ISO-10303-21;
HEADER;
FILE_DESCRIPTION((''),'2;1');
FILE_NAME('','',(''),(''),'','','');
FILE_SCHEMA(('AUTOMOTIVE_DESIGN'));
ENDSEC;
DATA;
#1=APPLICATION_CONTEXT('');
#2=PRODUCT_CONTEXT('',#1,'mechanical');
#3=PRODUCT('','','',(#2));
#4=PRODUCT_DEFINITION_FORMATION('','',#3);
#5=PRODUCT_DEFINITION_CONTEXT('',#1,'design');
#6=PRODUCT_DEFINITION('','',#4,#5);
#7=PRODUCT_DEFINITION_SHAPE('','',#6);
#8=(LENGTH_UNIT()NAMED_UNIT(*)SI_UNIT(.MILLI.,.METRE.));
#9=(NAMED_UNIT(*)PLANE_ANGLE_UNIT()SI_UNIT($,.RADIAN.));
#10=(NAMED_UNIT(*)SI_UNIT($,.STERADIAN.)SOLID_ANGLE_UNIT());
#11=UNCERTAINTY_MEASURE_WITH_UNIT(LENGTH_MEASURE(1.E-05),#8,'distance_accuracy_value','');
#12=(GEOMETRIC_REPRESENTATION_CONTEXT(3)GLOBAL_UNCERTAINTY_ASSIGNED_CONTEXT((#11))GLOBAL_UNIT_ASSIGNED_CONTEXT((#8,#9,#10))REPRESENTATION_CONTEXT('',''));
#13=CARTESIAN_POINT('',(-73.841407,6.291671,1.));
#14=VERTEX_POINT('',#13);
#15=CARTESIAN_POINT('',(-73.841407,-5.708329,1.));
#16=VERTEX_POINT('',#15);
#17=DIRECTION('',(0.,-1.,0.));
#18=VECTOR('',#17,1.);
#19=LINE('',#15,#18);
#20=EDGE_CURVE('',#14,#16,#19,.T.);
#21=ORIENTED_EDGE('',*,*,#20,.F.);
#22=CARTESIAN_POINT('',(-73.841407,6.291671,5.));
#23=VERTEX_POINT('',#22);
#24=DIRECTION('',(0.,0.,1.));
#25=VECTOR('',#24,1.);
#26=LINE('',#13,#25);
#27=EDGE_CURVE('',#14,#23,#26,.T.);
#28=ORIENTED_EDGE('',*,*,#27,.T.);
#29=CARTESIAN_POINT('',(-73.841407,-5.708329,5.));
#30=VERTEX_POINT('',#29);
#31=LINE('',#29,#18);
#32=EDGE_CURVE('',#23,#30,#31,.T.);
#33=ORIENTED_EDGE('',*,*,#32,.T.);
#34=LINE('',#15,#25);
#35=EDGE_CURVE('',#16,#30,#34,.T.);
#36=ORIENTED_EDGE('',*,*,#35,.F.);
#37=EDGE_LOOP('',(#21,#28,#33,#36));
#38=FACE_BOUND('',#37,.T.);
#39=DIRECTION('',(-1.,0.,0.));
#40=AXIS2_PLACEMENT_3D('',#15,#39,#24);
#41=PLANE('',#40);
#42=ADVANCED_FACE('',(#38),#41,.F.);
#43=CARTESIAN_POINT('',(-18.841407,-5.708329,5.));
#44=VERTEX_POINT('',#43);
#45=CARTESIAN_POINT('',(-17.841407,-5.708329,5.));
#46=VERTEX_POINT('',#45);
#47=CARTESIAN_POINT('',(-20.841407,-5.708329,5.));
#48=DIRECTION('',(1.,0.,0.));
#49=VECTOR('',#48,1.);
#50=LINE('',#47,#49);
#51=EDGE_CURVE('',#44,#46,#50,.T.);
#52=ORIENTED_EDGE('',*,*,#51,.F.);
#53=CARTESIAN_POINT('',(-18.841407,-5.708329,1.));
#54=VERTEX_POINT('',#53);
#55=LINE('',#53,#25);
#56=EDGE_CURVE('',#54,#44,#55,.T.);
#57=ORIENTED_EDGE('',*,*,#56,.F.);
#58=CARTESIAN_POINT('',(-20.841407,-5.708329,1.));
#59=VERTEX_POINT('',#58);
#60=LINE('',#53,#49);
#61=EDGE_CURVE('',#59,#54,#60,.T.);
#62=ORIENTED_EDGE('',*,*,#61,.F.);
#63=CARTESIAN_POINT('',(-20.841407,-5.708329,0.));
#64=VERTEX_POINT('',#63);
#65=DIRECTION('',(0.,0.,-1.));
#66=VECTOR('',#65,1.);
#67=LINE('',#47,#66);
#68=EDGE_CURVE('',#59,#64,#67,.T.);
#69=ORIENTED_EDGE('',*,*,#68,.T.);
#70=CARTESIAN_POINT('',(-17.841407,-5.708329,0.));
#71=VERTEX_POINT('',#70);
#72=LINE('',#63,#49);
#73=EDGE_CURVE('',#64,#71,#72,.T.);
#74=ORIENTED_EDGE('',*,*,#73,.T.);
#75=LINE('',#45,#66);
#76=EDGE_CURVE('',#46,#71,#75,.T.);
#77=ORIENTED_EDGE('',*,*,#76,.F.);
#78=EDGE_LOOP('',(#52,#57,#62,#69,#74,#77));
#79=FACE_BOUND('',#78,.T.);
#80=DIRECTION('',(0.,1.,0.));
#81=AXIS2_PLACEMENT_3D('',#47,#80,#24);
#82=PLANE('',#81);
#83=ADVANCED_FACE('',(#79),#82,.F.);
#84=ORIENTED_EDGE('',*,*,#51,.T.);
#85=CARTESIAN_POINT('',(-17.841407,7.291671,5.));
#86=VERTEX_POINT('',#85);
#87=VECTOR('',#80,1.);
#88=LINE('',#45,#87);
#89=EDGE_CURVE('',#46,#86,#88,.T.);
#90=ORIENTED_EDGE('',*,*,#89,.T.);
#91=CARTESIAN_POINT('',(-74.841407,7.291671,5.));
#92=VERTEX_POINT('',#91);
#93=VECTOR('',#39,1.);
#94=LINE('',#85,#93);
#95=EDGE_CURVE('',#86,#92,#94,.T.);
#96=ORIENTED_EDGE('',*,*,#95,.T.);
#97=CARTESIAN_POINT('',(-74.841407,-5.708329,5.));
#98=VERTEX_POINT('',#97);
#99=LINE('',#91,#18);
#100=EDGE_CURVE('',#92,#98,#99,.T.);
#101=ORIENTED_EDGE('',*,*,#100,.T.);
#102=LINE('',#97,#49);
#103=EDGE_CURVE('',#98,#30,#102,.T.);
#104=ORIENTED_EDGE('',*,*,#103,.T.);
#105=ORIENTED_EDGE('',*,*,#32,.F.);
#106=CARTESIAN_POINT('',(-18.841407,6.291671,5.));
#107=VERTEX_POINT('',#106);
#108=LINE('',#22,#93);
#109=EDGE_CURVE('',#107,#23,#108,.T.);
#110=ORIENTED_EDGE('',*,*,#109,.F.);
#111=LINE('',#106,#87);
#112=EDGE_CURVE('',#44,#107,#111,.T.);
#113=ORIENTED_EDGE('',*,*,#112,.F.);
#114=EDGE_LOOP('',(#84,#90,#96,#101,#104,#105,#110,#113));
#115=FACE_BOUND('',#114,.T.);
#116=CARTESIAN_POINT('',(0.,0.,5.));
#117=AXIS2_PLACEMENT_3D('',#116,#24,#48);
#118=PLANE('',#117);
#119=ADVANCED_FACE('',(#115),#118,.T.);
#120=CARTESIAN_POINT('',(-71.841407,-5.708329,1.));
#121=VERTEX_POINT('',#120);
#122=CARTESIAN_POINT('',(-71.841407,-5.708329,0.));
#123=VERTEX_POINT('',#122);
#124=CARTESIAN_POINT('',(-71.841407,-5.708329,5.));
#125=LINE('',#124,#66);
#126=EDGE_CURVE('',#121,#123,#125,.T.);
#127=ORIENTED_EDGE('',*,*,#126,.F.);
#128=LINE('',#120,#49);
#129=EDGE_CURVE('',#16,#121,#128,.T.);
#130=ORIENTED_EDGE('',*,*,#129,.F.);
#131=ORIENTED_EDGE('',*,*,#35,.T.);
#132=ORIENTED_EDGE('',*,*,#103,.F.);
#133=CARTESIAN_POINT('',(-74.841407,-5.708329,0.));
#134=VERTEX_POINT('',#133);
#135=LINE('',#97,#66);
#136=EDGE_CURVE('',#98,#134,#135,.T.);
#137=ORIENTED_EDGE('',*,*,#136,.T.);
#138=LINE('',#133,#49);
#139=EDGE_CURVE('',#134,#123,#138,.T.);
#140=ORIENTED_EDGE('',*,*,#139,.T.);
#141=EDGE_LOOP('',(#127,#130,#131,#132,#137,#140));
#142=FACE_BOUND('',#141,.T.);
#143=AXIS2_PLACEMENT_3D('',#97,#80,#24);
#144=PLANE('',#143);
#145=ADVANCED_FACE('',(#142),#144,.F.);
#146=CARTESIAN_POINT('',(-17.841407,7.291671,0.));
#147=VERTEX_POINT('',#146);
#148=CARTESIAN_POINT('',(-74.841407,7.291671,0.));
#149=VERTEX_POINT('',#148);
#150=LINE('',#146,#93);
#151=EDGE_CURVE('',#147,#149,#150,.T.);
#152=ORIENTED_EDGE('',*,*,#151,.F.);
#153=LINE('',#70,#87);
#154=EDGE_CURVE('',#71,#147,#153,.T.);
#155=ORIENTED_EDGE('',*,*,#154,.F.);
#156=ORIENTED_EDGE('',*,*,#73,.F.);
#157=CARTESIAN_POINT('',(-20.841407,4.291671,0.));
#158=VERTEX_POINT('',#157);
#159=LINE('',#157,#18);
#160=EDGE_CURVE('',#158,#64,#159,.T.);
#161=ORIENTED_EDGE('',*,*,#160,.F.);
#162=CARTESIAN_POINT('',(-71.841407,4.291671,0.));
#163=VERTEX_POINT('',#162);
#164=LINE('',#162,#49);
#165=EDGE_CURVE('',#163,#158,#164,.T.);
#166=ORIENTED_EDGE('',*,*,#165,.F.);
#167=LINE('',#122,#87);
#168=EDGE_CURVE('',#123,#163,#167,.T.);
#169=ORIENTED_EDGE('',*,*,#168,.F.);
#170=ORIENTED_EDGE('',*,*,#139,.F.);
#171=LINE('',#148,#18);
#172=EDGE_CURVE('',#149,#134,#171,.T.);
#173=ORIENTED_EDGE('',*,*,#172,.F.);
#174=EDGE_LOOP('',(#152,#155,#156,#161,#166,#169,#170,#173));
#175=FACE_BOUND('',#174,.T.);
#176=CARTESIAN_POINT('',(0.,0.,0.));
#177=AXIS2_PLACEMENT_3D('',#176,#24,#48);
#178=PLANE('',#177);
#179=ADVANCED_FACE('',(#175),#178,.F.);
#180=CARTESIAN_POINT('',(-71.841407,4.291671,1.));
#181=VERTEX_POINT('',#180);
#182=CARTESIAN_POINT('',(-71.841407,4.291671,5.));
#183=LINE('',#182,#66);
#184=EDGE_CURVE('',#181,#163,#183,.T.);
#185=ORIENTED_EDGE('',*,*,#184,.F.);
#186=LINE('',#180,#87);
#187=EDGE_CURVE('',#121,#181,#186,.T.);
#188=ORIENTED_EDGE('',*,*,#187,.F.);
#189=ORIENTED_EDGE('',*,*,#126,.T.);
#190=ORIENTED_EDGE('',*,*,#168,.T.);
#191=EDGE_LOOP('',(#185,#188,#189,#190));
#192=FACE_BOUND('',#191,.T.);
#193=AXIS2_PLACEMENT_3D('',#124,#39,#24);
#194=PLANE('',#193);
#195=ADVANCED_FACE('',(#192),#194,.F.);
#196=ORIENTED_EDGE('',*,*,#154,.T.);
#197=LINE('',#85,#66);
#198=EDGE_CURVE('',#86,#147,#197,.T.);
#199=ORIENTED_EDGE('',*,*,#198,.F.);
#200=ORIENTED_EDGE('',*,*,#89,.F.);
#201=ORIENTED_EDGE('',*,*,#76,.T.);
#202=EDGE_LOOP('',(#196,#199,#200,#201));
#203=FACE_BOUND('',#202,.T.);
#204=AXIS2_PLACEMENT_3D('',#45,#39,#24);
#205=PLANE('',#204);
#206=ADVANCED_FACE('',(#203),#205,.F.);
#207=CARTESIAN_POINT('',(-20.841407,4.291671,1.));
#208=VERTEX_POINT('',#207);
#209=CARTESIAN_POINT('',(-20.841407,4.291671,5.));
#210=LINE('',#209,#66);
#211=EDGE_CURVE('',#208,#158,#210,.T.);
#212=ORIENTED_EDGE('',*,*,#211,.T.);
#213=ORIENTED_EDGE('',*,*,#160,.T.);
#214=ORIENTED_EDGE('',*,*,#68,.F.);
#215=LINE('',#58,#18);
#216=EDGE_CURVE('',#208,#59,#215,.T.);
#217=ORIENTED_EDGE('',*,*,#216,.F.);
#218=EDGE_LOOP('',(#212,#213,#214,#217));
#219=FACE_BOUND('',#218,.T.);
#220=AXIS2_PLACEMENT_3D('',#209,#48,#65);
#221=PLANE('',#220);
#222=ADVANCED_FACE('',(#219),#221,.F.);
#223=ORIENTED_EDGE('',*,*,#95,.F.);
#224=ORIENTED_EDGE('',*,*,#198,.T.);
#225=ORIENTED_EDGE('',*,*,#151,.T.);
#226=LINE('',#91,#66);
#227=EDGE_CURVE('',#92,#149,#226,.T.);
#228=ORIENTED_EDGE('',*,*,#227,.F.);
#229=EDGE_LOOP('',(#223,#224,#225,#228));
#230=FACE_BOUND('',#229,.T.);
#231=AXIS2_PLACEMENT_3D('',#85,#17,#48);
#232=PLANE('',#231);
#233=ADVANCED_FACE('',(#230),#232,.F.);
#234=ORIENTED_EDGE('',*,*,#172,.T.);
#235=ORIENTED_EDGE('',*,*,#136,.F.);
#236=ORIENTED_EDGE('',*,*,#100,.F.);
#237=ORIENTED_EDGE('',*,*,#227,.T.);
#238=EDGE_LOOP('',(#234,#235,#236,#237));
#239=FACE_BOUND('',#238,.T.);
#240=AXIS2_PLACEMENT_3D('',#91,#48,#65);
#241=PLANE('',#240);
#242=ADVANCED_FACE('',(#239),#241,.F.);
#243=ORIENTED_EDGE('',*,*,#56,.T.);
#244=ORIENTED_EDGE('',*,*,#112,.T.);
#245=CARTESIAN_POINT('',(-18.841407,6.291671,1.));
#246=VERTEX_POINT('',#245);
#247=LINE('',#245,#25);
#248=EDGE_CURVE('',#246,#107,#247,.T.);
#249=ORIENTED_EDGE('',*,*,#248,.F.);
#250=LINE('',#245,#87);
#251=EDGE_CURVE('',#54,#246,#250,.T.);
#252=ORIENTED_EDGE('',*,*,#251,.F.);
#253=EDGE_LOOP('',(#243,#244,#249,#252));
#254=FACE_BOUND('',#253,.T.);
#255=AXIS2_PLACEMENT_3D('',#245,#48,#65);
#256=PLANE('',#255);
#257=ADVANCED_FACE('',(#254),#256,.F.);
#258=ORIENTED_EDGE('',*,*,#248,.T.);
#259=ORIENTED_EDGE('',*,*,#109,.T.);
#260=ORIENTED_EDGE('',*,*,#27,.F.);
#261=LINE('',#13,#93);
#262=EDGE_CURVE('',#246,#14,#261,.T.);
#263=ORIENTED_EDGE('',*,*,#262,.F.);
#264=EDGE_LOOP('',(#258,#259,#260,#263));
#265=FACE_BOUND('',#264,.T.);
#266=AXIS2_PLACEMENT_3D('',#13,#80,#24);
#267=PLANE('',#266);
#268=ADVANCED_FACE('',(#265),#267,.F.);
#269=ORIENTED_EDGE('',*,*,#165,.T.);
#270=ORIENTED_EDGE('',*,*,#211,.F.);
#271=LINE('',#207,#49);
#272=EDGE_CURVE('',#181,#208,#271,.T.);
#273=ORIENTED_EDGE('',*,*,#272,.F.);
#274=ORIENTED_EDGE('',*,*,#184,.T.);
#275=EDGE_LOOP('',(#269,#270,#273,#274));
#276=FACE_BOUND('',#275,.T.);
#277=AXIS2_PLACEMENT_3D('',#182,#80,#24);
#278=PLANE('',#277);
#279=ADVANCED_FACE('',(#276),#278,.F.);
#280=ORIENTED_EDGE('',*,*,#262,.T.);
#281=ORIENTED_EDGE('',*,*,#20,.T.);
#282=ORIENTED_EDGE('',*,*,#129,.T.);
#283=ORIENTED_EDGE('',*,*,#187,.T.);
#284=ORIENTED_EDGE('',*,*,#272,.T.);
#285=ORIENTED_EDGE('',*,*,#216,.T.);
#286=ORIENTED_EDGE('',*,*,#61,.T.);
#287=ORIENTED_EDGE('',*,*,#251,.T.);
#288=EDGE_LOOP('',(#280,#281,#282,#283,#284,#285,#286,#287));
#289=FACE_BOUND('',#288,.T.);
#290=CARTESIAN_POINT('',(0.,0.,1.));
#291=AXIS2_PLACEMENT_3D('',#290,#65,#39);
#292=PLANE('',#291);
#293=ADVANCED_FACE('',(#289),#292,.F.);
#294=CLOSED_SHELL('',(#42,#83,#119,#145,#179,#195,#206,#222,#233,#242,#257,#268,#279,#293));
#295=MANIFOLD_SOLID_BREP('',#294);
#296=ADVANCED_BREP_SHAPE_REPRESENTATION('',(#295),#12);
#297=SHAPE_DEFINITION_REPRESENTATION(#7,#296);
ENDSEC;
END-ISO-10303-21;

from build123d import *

# Parameters (mm, degrees)
SALIENTE_EXTRUIR1_DEPTH = 5
CORTAR_EXTRUIR1_DEPTH   = 4


with BuildPart() as part:
    # Croquis1 → Saliente-Extruir1 (new body)
    with BuildSketch(Plane.XY):
        Polygon((-71.841407148, -5.708328863), (-71.841407148, 4.291671137), (-20.841407148, 4.291671137), (-20.841407148, -5.708328863), (-17.841407148, -5.708328863), (-17.841407148, 7.291671137), (-74.841407148, 7.291671137), (-74.841407148, -5.708328863), align=None)
    extrude(amount=SALIENTE_EXTRUIR1_DEPTH)

    # Croquis2 → Cortar-Extruir1 (cut)
    with BuildSketch(Plane.XY.offset(5)):
        Polygon((-71.841407148, -5.708328863), (-73.841407148, -5.708328863), (-73.841407148, 6.291671137), (-18.841407148, 6.291671137), (-18.841407148, -5.708328863), (-20.841407148, -5.708328863), (-20.841407148, 4.291671137), (-71.841407148, 4.291671137), align=None)
    extrude(amount=-CORTAR_EXTRUIR1_DEPTH, mode=Mode.SUBTRACT)


solid = part.part
